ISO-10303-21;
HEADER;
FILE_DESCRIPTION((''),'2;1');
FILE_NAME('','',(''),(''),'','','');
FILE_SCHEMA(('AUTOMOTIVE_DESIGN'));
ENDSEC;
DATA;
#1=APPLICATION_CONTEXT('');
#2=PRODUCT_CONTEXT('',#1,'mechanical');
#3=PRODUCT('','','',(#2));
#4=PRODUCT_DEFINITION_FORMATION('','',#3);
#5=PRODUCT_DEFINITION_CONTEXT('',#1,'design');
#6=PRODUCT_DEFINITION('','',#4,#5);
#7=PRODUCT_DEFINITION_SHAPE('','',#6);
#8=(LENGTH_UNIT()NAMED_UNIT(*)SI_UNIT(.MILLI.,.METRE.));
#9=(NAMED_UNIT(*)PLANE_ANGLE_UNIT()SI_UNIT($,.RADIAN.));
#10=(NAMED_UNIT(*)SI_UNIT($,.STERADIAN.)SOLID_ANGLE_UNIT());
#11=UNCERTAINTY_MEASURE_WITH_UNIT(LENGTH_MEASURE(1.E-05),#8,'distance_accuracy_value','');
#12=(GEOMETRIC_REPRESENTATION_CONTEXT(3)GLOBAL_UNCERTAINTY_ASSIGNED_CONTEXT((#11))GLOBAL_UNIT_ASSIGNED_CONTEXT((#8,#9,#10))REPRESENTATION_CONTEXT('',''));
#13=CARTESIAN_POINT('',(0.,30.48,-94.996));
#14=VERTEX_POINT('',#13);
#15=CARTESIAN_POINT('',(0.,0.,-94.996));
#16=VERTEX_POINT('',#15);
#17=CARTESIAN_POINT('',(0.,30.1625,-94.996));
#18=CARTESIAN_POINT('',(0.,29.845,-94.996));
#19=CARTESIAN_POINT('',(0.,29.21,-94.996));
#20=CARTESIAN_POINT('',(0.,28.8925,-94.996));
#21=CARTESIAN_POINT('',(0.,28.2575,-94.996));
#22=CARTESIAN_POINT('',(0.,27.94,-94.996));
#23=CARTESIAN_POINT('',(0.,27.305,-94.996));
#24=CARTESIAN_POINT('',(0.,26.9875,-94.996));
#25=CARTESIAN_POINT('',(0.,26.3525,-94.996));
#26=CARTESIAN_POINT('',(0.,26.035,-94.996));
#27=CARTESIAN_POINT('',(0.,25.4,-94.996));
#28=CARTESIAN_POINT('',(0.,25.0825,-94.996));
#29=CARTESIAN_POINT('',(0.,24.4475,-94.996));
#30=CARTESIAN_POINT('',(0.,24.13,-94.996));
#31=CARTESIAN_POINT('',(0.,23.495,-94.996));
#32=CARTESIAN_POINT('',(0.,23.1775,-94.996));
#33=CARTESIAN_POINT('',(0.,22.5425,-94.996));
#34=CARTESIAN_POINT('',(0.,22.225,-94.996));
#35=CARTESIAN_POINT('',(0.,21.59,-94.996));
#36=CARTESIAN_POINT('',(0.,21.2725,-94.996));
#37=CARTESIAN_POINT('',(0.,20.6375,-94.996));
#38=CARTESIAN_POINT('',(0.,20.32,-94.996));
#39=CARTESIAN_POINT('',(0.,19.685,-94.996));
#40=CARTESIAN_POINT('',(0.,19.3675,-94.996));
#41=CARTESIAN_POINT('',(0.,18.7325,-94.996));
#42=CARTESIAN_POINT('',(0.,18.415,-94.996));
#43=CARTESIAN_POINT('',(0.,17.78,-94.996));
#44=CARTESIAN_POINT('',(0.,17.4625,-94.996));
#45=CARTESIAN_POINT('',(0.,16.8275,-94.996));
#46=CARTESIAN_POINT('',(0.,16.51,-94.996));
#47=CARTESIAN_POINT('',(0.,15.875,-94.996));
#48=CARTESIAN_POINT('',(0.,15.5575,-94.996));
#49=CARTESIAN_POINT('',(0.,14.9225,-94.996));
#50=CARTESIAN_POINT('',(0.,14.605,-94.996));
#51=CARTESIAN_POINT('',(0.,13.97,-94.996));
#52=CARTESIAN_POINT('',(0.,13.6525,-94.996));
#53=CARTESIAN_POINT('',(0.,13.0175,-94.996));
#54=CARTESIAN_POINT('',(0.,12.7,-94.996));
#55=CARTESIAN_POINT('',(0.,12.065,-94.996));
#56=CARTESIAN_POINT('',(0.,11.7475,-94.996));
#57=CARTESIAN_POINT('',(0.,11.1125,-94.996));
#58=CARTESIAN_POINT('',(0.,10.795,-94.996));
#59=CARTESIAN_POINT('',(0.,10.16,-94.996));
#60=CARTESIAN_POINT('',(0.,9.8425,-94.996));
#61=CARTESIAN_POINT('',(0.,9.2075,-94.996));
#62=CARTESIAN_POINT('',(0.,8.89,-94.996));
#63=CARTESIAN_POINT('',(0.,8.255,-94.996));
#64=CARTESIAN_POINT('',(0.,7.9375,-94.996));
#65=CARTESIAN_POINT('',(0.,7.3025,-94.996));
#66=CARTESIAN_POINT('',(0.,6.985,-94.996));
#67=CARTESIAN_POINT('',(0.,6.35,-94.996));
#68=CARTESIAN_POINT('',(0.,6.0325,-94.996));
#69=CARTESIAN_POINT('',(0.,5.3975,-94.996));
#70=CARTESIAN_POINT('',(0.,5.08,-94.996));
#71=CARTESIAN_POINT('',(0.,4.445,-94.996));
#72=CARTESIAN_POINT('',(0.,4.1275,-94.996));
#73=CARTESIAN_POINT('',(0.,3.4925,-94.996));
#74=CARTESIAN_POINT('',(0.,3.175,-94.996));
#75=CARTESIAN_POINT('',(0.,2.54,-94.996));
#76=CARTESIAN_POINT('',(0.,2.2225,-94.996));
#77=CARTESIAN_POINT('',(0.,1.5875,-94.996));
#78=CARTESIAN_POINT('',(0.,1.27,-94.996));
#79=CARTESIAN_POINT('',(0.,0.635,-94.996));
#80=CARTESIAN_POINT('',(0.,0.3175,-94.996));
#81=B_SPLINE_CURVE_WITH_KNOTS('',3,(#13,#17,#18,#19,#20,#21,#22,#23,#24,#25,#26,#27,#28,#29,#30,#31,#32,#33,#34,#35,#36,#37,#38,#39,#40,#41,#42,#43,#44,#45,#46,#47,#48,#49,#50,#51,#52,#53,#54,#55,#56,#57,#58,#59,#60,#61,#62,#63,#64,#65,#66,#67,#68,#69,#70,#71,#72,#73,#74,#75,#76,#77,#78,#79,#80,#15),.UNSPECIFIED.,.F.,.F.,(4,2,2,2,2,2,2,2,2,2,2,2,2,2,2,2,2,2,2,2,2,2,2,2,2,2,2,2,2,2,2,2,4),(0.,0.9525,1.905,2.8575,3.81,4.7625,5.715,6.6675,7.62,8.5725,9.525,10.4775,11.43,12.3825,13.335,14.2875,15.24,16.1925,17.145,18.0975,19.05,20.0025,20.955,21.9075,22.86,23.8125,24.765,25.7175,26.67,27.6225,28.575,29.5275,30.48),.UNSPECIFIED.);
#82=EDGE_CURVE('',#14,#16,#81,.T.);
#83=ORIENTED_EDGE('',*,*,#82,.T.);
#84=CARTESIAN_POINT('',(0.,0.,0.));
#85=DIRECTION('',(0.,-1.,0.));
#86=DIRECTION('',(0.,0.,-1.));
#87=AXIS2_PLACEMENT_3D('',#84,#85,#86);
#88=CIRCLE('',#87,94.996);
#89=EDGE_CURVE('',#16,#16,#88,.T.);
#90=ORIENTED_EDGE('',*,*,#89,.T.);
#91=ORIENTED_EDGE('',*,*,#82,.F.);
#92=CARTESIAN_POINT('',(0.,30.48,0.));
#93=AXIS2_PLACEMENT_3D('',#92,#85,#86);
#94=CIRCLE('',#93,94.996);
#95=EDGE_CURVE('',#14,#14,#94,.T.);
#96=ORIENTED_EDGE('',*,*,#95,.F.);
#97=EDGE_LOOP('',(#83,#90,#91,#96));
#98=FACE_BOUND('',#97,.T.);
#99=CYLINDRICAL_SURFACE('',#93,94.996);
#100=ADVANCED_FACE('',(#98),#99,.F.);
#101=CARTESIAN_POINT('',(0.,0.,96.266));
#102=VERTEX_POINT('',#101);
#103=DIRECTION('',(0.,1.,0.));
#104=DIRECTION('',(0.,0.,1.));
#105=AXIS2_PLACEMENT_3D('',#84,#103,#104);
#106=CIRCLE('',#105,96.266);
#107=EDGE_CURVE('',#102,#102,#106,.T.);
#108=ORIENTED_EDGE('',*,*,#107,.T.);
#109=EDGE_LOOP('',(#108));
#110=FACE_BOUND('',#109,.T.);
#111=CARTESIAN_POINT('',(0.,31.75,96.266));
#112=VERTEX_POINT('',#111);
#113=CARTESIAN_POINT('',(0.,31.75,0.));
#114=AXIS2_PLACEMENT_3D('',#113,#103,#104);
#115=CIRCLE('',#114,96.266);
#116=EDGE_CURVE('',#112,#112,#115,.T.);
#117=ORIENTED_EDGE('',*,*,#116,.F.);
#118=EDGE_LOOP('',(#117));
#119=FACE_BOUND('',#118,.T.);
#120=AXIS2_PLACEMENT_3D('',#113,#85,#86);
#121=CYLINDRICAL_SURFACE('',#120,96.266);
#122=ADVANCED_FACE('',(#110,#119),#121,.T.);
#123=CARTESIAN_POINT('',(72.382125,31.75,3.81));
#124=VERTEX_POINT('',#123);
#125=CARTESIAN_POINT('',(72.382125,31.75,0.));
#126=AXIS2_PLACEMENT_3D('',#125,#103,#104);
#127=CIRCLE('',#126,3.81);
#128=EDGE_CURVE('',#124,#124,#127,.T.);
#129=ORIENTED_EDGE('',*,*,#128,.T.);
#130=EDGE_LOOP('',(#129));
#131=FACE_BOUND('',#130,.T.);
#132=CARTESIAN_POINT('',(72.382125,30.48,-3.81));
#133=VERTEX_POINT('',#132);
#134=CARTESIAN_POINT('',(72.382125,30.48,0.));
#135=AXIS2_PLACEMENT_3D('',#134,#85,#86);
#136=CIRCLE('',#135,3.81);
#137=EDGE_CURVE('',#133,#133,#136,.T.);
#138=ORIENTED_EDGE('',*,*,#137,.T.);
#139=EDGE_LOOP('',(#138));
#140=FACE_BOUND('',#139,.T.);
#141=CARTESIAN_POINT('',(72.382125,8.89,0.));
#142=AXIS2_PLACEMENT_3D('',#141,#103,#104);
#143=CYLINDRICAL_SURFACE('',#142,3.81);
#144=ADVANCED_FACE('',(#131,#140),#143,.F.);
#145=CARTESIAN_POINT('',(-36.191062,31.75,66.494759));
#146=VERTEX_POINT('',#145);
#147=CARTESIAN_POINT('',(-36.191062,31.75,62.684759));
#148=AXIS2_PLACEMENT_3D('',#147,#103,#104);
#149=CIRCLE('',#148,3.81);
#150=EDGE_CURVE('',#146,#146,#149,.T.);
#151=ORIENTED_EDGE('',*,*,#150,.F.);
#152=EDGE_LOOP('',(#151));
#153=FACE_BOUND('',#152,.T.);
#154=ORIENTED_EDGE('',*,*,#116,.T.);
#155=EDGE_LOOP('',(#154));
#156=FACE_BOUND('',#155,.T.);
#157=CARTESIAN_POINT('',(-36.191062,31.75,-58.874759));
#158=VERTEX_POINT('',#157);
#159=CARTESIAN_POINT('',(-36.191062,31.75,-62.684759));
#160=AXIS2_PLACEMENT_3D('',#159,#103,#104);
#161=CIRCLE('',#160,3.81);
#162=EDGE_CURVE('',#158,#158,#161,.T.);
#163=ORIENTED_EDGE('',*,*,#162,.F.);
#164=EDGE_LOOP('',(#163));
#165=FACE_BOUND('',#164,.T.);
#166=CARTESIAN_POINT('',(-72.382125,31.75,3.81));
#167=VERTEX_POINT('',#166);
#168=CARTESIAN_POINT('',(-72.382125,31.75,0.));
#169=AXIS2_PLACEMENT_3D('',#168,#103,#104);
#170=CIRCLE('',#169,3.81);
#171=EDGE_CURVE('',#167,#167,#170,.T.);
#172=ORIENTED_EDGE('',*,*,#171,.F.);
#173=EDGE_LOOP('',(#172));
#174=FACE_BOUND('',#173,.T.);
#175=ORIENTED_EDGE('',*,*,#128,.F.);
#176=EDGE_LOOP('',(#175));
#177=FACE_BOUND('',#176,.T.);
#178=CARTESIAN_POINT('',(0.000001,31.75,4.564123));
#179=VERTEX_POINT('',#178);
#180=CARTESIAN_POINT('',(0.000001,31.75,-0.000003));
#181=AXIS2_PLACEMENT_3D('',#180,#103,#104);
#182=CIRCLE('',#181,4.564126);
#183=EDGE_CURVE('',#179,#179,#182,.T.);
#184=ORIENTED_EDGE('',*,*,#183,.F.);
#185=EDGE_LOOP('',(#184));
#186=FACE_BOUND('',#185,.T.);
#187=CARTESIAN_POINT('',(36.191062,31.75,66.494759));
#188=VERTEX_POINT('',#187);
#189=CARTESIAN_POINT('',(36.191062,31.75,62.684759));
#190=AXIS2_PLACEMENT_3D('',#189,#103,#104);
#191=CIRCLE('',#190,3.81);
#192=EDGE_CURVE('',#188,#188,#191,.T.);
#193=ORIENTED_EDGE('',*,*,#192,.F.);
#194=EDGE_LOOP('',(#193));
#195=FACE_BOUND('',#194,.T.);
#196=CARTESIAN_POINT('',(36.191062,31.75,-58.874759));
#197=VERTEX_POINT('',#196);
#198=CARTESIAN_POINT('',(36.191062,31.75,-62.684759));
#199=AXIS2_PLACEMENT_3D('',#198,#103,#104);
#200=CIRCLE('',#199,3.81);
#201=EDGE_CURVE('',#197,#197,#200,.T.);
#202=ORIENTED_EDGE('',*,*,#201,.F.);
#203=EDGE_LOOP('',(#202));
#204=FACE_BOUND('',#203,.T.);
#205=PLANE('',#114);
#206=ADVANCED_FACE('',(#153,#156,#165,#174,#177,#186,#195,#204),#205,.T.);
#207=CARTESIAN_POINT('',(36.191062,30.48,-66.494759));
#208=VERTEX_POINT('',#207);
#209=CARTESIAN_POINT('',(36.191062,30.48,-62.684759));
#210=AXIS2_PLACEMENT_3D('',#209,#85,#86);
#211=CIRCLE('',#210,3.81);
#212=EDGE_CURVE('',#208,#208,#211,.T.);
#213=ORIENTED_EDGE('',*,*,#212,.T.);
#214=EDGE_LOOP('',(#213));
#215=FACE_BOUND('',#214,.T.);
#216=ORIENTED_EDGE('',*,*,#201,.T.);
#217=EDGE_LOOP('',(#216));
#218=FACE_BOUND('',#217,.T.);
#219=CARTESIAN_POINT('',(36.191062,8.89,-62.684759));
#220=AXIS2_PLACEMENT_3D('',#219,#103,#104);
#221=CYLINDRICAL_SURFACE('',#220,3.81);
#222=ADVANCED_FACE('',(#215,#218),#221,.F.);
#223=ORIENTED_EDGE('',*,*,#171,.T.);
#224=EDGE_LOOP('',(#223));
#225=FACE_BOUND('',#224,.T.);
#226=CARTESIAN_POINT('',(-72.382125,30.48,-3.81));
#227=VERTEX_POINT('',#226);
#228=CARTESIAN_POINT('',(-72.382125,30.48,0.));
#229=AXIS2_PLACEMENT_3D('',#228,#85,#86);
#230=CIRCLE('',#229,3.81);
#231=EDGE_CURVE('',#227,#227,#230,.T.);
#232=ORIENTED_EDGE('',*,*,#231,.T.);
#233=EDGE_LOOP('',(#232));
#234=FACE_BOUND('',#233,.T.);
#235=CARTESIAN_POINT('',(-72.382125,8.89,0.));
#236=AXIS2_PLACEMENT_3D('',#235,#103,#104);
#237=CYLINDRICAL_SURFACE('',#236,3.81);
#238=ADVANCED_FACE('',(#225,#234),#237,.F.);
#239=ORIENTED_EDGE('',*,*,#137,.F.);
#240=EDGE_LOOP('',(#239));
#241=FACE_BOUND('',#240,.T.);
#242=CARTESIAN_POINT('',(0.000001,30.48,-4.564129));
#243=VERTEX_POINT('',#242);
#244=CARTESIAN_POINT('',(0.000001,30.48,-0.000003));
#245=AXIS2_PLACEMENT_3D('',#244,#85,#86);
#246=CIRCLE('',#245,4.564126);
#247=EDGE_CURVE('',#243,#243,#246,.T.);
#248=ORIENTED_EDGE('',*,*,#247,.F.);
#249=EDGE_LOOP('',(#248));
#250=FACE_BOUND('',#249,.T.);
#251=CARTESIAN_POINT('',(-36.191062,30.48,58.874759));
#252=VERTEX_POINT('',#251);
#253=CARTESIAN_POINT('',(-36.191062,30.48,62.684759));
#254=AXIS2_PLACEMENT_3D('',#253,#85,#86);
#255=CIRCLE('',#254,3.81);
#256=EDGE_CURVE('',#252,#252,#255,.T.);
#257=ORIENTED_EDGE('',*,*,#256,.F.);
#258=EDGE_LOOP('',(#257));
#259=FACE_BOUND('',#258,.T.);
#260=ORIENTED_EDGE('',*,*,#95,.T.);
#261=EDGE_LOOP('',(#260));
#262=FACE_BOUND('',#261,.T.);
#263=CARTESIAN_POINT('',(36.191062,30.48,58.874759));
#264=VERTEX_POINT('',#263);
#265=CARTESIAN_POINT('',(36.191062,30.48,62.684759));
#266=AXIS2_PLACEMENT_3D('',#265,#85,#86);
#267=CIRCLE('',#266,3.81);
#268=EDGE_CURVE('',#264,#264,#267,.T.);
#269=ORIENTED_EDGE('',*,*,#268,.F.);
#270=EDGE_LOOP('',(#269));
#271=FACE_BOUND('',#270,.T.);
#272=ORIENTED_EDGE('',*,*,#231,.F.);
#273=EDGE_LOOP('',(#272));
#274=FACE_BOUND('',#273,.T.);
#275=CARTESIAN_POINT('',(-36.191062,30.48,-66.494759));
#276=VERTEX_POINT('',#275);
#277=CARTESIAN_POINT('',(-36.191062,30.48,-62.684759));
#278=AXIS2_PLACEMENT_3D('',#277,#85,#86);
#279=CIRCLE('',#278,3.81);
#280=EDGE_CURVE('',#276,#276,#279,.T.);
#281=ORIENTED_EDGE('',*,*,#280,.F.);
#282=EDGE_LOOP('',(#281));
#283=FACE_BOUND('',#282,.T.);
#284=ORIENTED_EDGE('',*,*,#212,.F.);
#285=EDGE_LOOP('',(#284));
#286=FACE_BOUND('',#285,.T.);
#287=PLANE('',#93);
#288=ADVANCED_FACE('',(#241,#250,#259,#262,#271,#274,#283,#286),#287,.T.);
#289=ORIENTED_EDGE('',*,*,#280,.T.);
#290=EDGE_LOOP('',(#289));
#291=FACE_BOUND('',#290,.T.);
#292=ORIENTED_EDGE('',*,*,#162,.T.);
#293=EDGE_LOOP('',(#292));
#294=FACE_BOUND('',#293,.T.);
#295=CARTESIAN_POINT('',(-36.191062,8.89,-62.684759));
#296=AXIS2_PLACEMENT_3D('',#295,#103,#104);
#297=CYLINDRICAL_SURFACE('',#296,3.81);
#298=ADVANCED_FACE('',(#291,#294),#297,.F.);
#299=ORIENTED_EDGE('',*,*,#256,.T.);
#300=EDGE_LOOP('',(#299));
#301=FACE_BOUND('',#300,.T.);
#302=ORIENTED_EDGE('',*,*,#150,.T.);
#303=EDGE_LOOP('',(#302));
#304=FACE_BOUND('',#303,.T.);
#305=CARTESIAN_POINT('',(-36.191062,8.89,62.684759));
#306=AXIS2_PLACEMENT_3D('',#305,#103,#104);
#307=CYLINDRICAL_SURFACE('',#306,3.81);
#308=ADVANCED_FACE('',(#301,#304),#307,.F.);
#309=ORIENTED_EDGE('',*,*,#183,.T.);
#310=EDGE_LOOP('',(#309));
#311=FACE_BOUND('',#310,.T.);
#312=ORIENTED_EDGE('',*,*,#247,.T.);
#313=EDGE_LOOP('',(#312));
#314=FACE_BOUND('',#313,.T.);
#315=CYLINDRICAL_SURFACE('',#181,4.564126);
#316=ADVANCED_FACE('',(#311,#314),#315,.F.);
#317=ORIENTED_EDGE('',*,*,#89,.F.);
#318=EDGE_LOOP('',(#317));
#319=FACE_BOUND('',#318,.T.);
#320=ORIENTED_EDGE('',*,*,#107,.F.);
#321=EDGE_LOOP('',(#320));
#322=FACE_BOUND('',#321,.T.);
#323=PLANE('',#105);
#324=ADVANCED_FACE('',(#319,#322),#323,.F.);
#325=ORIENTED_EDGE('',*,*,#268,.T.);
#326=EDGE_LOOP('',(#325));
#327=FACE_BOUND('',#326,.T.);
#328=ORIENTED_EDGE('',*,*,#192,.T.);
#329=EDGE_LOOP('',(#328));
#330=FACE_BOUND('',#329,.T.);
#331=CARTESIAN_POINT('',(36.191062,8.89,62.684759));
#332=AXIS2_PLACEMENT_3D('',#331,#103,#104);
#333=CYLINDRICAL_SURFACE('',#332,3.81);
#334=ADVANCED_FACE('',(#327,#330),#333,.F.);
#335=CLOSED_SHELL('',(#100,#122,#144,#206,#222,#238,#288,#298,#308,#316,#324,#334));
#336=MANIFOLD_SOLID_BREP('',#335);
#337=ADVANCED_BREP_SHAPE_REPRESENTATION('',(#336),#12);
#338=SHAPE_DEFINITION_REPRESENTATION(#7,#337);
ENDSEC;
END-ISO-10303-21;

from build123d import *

# Parameters (mm, degrees)
SKETCH1_R                                  = 96.266
BOSS_EXTRUDE1_DEPTH                        = 31.75
SKETCH2_R                                  = 94.996
CUT_EXTRUDE1_DEPTH                         = 30.48
F_23_64_0_35938_DIAMETER_HOLE1_D           = 9.128252
F_23_64_0_35938_DIAMETER_HOLE1_ON_FACE_2_D = 9.128252
SKETCH5_R                                  = 3.81
CUT_EXTRUDE2_DEPTH                         = 22.86


with BuildPart() as part:
    # Sketch1 → Boss-Extrude1 (new body)
    with BuildSketch(Plane(origin=(0, 0, 0), x_dir=(1, 0, 0), z_dir=(0, 1, 0))):
        with Locations(Location((0, 0, 0), (0, 0, 270))):
            Circle(SKETCH1_R)
    extrude(amount=BOSS_EXTRUDE1_DEPTH)

    # Sketch2 → Cut-Extrude1 (cut)
    with BuildSketch(Plane.XZ):
        with Locations(Location((0, 0, 0), (0, 0, 270))):
            Circle(SKETCH2_R)
    extrude(amount=-CUT_EXTRUDE1_DEPTH, mode=Mode.SUBTRACT)

    # 23/64 (0.35938) Diameter Hole1 (through all)
    with Locations(Plane(origin=(1.163e-06, 31.75, -2.517e-06), x_dir=(0, 0, 1), z_dir=(0, 1, 0))):
        with Locations((0, 0)):
            Hole(F_23_64_0_35938_DIAMETER_HOLE1_D / 2)

    # 23/64 (0.35938) Diameter Hole1 on face 2 (through all)
    with Locations(Plane.ZX):
        with Locations((0, 0)):
            Hole(F_23_64_0_35938_DIAMETER_HOLE1_ON_FACE_2_D / 2)

    # Sketch5 → Cut-Extrude2 (cut)
    with BuildSketch(Plane(origin=(0, 31.75, 0), x_dir=(1, 0, 0), z_dir=(0, 1, 0))):
        with Locations(Location((72.382124837, 0, 0), (0, 0, 270))):
            Circle(SKETCH5_R)
        with Locations(Location((36.191062419, 62.684758889, 0), (0, 0, 270))):
            Circle(SKETCH5_R)
        with Locations(Location((-36.191062419, 62.684758889, 0), (0, 0, 270))):
            Circle(SKETCH5_R)
        with Locations(Location((-72.382124837, 0, 0), (0, 0, 270))):
            Circle(SKETCH5_R)
        with Locations(Location((-36.191062419, -62.684758889, 0), (0, 0, 270))):
            Circle(SKETCH5_R)
        with Locations(Location((36.191062419, -62.684758889, 0), (0, 0, 270))):
            Circle(SKETCH5_R)
    extrude(amount=-CUT_EXTRUDE2_DEPTH, mode=Mode.SUBTRACT)


solid = part.part
